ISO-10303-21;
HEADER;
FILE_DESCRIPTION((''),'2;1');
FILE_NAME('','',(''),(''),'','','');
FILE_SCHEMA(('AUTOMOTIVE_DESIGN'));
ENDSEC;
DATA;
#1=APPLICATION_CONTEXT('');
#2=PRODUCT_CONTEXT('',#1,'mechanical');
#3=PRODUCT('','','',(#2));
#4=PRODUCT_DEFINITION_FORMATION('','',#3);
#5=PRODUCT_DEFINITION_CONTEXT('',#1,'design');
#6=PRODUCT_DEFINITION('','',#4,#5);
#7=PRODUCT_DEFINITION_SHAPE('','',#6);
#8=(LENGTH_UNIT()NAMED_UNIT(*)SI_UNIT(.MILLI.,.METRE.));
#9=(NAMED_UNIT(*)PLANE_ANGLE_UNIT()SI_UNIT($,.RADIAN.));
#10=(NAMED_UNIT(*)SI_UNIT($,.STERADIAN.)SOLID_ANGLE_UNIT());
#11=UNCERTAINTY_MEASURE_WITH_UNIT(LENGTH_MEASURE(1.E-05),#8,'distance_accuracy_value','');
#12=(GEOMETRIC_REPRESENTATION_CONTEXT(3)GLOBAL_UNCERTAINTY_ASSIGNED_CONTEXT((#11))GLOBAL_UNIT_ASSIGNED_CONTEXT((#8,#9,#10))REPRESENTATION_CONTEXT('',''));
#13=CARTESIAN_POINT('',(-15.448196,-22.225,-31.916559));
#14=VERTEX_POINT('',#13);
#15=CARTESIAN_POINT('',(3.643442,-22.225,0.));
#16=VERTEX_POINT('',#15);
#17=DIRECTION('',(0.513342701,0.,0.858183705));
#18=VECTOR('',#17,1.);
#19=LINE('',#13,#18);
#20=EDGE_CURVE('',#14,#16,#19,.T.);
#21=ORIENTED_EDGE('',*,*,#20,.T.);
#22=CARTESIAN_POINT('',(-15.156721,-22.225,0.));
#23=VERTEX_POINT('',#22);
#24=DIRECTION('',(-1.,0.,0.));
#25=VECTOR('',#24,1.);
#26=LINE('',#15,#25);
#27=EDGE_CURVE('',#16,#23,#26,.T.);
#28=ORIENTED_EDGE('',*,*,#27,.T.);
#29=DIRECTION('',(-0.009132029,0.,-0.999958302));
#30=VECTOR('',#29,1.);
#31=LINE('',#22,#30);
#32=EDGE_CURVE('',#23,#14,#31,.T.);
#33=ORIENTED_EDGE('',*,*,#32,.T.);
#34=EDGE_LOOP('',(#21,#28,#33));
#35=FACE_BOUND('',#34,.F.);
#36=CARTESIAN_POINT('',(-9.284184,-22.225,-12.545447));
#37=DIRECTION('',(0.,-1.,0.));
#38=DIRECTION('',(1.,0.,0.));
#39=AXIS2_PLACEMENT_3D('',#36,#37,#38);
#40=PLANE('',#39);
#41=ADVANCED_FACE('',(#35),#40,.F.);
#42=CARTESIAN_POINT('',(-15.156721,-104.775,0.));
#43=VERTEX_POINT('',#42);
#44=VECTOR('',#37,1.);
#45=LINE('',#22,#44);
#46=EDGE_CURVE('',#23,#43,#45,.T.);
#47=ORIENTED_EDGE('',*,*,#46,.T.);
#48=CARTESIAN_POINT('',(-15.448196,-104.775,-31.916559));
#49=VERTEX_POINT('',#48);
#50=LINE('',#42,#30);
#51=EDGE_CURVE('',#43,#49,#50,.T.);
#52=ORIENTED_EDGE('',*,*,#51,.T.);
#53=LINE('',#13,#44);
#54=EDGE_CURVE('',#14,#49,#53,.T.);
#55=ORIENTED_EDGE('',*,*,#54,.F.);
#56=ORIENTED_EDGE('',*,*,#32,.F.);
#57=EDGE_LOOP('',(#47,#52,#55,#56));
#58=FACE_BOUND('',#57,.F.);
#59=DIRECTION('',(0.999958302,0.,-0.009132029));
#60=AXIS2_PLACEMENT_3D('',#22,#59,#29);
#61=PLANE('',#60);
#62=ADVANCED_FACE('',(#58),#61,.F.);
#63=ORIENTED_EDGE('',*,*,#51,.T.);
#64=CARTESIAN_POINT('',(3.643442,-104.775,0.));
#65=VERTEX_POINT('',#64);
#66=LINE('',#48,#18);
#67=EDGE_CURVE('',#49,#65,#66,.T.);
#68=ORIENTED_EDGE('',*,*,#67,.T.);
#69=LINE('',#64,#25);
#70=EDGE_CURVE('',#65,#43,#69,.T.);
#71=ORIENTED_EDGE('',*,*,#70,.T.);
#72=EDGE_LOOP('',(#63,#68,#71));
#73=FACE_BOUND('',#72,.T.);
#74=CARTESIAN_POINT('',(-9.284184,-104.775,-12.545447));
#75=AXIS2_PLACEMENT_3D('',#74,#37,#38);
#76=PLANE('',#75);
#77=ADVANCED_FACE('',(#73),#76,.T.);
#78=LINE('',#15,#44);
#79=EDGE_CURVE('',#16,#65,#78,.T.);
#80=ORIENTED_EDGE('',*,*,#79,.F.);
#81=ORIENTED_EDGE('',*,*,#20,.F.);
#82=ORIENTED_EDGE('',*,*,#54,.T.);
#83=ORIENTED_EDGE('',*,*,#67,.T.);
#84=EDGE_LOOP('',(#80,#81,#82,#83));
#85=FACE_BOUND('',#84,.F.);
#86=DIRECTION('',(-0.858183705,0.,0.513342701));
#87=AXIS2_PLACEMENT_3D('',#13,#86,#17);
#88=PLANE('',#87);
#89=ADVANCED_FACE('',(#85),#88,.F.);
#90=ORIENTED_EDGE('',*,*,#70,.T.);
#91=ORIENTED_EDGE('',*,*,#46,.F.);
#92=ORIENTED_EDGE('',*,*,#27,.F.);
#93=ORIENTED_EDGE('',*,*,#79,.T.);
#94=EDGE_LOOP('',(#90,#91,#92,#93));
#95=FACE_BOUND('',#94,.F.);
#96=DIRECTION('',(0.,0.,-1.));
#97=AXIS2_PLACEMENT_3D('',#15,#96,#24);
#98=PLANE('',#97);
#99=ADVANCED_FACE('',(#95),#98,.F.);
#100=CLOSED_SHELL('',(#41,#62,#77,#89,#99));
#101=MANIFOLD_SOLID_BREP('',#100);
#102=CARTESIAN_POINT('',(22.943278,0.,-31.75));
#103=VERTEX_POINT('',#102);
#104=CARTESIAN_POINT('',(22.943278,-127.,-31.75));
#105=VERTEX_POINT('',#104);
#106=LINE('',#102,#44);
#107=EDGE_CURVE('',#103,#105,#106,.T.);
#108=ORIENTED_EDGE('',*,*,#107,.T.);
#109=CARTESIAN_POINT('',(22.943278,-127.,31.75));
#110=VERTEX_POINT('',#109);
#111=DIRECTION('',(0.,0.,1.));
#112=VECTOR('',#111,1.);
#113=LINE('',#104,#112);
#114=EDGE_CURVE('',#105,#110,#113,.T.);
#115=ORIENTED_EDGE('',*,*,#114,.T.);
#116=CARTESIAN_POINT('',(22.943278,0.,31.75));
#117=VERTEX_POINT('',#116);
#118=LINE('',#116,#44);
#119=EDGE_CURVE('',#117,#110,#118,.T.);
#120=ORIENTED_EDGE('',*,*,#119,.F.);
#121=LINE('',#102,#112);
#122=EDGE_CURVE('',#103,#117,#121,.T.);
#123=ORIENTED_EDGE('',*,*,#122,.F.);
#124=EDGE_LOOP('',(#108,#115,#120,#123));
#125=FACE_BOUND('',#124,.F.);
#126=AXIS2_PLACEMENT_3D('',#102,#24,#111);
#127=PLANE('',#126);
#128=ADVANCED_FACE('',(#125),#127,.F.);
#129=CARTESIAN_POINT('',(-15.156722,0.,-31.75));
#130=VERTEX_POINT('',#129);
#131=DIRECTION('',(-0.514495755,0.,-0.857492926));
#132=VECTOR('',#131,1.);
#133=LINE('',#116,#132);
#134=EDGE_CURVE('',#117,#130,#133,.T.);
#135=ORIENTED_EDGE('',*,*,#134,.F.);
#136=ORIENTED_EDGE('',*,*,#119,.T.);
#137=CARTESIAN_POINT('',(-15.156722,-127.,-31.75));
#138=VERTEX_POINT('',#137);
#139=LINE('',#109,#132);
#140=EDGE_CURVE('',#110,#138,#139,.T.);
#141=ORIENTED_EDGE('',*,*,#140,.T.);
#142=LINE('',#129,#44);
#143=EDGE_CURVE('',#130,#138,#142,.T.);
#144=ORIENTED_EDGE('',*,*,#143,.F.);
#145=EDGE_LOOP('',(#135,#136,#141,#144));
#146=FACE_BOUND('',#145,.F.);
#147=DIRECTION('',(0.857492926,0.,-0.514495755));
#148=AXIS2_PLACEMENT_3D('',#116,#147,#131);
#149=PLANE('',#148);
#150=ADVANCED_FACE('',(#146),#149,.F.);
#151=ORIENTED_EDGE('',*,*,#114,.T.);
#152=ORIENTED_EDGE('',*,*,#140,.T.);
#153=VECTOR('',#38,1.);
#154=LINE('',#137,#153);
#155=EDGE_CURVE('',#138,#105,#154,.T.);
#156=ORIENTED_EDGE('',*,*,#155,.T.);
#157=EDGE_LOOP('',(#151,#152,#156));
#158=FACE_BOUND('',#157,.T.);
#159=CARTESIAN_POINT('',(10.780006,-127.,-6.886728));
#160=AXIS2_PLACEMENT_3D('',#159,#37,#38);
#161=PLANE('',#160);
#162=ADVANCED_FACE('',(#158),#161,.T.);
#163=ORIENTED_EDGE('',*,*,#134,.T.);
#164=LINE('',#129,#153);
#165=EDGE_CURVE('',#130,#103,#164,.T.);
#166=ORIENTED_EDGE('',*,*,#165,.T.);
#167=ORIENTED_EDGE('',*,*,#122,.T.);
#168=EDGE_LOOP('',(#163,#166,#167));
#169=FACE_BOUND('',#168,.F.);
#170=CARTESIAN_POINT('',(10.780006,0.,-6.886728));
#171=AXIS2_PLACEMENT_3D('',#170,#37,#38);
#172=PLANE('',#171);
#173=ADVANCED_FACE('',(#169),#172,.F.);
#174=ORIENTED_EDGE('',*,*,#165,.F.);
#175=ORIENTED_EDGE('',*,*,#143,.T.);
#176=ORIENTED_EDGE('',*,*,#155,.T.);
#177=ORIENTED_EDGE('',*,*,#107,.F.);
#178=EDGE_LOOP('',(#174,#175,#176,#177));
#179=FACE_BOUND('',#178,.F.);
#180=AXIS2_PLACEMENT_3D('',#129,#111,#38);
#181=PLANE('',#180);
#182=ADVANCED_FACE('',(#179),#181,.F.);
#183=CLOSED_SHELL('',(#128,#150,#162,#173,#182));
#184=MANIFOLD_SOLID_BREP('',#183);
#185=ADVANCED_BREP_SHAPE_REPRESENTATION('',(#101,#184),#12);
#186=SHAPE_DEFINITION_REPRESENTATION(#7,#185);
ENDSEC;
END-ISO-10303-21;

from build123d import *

# Parameters (mm, degrees)
F1_DEPTH = 127
F3_START = 22.225
F3_DEPTH = 82.55


with BuildPart() as f1:
    # F0 (on Front) → F1 (new body)
    with BuildSketch(Plane.XZ):
        Polygon((-15.1567216963, -31.75), (22.9432783037, -31.75), (22.9432783037, 31.75), (3.8932783037, 0), align=None)
    extrude(amount=F1_DEPTH)


with BuildPart() as f3:
    # F2 (on Front) → F3 (new body)
    with BuildSketch(Plane.XZ.offset(F3_START)):
        Polygon((-15.1567207649, 0), (-15.4481958598, -31.9165587425), (3.6434419453, 0), align=None)
    extrude(amount=F3_DEPTH)


solid = Compound([f1.part, f3.part])
